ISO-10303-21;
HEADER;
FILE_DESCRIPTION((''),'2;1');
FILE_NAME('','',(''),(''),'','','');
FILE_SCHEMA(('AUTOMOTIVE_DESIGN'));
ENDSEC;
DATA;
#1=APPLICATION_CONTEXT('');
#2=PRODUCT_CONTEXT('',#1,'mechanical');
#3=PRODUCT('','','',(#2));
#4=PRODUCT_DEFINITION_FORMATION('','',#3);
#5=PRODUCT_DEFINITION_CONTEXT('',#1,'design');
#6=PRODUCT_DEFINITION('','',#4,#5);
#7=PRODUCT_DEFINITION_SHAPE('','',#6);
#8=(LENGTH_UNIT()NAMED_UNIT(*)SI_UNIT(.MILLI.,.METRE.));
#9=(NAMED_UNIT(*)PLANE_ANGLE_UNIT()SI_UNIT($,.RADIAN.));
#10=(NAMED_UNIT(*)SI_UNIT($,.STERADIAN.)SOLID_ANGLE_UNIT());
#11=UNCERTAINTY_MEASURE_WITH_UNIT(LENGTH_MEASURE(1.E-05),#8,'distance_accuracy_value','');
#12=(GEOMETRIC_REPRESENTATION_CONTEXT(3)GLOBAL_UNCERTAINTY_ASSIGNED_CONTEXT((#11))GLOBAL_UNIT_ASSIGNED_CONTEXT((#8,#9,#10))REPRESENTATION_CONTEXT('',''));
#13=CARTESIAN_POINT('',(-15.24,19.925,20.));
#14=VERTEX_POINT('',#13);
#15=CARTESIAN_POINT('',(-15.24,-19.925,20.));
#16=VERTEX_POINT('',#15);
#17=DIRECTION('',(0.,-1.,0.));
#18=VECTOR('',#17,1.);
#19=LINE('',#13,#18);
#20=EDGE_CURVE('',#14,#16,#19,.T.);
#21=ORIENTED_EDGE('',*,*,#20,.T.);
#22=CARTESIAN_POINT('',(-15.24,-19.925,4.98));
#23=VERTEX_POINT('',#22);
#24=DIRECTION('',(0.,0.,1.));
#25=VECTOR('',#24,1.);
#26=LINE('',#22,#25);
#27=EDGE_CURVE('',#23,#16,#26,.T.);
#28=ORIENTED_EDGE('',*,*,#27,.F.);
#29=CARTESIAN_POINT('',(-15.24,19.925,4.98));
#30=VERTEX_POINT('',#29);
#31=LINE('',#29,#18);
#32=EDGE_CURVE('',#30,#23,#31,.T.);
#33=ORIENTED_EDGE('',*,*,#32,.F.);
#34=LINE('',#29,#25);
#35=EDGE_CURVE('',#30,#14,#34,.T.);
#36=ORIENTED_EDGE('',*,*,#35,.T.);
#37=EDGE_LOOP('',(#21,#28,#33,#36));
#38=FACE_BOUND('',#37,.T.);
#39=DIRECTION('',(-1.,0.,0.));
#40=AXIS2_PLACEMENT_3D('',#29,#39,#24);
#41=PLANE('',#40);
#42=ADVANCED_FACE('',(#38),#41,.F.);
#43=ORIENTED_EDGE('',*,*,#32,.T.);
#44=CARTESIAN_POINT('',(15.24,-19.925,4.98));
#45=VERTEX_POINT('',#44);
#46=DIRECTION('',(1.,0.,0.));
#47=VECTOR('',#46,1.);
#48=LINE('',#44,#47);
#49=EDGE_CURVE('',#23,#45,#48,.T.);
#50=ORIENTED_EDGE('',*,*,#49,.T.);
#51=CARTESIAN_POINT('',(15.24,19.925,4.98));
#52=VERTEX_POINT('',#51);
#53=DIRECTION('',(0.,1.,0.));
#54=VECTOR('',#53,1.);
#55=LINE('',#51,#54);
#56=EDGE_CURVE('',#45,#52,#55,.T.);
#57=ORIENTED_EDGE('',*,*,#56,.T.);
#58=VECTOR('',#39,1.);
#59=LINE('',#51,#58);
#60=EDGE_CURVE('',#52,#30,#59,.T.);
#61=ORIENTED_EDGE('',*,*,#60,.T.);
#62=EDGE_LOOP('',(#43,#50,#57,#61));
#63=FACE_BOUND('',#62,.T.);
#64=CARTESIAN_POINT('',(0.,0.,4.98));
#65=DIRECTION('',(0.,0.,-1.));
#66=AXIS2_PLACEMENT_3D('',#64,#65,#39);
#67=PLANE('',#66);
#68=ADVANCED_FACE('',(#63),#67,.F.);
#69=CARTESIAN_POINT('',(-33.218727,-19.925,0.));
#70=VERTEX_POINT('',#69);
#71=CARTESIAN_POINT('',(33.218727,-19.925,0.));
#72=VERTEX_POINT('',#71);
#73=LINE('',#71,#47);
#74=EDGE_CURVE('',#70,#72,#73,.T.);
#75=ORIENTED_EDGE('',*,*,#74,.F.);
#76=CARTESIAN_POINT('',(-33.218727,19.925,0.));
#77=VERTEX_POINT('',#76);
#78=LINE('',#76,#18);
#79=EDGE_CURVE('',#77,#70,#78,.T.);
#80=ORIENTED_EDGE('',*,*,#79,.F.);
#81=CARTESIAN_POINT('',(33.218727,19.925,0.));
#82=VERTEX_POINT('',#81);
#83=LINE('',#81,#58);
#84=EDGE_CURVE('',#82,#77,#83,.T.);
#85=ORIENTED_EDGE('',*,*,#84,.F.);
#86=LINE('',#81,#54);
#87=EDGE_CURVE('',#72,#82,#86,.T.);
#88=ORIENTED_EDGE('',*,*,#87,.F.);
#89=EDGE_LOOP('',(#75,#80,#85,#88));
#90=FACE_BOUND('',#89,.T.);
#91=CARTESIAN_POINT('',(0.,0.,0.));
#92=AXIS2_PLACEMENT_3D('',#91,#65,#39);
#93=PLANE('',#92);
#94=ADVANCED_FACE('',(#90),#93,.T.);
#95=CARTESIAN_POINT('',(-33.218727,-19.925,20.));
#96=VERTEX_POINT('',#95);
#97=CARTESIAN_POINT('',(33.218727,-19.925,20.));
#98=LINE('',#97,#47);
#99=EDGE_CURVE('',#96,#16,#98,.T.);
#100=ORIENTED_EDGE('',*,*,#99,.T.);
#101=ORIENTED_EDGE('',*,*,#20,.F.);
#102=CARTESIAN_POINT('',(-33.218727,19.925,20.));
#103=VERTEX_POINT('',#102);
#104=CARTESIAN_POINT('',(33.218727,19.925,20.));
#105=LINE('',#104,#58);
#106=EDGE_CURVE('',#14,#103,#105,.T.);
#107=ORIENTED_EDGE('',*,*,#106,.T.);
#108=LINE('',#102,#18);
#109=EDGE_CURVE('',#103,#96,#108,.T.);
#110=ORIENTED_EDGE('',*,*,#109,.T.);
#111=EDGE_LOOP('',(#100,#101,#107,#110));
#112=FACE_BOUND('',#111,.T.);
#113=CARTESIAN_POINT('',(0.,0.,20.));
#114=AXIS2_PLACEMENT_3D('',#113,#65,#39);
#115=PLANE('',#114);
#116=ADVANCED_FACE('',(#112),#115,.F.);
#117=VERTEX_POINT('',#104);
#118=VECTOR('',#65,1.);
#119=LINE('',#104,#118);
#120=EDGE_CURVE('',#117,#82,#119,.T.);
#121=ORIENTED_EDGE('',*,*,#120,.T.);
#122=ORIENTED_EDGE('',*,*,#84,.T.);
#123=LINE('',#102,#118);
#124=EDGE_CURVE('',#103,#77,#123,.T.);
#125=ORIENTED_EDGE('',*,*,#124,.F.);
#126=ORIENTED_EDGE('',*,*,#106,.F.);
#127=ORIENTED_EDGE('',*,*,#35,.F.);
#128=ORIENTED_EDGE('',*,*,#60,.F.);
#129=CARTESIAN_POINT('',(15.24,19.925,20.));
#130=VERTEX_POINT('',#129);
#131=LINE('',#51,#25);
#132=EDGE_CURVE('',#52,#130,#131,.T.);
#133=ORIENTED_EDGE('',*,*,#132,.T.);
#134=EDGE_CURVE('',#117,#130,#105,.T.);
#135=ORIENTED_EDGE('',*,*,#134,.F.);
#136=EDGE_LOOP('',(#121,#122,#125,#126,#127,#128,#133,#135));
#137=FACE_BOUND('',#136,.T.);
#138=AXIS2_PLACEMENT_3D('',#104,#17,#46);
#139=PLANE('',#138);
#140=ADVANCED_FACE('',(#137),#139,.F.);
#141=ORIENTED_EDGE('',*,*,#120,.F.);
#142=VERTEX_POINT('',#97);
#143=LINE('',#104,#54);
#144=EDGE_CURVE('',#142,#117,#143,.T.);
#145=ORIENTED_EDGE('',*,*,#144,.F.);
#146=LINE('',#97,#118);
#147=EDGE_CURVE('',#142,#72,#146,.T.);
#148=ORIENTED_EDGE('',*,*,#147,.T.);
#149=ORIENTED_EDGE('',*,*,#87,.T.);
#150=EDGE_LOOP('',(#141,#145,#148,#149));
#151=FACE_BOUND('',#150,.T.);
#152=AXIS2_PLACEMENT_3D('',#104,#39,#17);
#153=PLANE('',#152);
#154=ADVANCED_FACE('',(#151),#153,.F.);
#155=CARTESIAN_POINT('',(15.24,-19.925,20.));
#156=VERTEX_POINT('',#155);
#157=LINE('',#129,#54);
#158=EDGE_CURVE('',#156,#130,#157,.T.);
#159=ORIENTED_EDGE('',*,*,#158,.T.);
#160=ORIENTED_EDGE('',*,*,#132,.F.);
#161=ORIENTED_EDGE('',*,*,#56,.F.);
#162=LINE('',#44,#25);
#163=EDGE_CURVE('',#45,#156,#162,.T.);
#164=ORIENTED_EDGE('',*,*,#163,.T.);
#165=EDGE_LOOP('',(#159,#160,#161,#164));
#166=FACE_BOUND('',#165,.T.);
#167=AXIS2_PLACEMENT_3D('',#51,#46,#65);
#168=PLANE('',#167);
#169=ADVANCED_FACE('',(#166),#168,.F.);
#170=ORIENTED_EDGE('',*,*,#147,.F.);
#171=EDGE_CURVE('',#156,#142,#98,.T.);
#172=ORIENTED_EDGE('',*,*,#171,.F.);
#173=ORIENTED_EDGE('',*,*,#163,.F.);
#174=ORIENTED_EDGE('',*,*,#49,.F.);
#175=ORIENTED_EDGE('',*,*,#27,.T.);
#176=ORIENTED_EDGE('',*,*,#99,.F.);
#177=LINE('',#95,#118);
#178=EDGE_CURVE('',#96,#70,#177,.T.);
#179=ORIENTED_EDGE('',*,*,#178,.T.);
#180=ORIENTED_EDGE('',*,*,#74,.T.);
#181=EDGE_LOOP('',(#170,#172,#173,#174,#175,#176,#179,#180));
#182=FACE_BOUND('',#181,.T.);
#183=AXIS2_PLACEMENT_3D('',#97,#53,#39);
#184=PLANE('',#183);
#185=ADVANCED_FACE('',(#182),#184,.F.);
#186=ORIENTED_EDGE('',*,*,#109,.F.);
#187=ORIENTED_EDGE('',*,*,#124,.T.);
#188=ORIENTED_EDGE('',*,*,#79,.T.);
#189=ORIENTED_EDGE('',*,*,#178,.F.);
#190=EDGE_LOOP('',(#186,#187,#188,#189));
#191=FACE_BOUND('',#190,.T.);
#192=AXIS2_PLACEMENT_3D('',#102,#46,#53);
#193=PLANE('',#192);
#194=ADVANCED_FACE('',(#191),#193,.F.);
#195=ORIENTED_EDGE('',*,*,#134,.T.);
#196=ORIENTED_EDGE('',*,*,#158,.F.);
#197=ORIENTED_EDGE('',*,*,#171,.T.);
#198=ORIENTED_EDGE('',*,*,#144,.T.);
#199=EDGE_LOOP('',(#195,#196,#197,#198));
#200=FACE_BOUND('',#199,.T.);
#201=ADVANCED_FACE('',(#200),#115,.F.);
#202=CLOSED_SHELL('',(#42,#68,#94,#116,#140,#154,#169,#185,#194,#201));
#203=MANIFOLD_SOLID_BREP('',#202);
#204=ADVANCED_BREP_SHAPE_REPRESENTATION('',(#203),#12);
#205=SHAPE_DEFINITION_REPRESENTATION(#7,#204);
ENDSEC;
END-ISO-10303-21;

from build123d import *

# Parameters (mm, degrees)
SKETCH1_W           = 66.43745389
SKETCH1_H           = 39.85
BOSS_EXTRUDE1_DEPTH = 20
SKETCH2_W           = 30.48
SKETCH2_H           = 39.85
CUT_EXTRUDE1_DEPTH  = 15.02


with BuildPart() as part:
    # Sketch1 → Boss-Extrude1 (new body)
    with BuildSketch(Plane.XY):
        Rectangle(SKETCH1_W, SKETCH1_H)
    extrude(amount=BOSS_EXTRUDE1_DEPTH)

    # Sketch2 → Cut-Extrude1 (cut)
    with BuildSketch(Plane.XY.offset(20)):
        Rectangle(SKETCH2_W, SKETCH2_H)
    extrude(amount=-CUT_EXTRUDE1_DEPTH, mode=Mode.SUBTRACT)


solid = part.part
